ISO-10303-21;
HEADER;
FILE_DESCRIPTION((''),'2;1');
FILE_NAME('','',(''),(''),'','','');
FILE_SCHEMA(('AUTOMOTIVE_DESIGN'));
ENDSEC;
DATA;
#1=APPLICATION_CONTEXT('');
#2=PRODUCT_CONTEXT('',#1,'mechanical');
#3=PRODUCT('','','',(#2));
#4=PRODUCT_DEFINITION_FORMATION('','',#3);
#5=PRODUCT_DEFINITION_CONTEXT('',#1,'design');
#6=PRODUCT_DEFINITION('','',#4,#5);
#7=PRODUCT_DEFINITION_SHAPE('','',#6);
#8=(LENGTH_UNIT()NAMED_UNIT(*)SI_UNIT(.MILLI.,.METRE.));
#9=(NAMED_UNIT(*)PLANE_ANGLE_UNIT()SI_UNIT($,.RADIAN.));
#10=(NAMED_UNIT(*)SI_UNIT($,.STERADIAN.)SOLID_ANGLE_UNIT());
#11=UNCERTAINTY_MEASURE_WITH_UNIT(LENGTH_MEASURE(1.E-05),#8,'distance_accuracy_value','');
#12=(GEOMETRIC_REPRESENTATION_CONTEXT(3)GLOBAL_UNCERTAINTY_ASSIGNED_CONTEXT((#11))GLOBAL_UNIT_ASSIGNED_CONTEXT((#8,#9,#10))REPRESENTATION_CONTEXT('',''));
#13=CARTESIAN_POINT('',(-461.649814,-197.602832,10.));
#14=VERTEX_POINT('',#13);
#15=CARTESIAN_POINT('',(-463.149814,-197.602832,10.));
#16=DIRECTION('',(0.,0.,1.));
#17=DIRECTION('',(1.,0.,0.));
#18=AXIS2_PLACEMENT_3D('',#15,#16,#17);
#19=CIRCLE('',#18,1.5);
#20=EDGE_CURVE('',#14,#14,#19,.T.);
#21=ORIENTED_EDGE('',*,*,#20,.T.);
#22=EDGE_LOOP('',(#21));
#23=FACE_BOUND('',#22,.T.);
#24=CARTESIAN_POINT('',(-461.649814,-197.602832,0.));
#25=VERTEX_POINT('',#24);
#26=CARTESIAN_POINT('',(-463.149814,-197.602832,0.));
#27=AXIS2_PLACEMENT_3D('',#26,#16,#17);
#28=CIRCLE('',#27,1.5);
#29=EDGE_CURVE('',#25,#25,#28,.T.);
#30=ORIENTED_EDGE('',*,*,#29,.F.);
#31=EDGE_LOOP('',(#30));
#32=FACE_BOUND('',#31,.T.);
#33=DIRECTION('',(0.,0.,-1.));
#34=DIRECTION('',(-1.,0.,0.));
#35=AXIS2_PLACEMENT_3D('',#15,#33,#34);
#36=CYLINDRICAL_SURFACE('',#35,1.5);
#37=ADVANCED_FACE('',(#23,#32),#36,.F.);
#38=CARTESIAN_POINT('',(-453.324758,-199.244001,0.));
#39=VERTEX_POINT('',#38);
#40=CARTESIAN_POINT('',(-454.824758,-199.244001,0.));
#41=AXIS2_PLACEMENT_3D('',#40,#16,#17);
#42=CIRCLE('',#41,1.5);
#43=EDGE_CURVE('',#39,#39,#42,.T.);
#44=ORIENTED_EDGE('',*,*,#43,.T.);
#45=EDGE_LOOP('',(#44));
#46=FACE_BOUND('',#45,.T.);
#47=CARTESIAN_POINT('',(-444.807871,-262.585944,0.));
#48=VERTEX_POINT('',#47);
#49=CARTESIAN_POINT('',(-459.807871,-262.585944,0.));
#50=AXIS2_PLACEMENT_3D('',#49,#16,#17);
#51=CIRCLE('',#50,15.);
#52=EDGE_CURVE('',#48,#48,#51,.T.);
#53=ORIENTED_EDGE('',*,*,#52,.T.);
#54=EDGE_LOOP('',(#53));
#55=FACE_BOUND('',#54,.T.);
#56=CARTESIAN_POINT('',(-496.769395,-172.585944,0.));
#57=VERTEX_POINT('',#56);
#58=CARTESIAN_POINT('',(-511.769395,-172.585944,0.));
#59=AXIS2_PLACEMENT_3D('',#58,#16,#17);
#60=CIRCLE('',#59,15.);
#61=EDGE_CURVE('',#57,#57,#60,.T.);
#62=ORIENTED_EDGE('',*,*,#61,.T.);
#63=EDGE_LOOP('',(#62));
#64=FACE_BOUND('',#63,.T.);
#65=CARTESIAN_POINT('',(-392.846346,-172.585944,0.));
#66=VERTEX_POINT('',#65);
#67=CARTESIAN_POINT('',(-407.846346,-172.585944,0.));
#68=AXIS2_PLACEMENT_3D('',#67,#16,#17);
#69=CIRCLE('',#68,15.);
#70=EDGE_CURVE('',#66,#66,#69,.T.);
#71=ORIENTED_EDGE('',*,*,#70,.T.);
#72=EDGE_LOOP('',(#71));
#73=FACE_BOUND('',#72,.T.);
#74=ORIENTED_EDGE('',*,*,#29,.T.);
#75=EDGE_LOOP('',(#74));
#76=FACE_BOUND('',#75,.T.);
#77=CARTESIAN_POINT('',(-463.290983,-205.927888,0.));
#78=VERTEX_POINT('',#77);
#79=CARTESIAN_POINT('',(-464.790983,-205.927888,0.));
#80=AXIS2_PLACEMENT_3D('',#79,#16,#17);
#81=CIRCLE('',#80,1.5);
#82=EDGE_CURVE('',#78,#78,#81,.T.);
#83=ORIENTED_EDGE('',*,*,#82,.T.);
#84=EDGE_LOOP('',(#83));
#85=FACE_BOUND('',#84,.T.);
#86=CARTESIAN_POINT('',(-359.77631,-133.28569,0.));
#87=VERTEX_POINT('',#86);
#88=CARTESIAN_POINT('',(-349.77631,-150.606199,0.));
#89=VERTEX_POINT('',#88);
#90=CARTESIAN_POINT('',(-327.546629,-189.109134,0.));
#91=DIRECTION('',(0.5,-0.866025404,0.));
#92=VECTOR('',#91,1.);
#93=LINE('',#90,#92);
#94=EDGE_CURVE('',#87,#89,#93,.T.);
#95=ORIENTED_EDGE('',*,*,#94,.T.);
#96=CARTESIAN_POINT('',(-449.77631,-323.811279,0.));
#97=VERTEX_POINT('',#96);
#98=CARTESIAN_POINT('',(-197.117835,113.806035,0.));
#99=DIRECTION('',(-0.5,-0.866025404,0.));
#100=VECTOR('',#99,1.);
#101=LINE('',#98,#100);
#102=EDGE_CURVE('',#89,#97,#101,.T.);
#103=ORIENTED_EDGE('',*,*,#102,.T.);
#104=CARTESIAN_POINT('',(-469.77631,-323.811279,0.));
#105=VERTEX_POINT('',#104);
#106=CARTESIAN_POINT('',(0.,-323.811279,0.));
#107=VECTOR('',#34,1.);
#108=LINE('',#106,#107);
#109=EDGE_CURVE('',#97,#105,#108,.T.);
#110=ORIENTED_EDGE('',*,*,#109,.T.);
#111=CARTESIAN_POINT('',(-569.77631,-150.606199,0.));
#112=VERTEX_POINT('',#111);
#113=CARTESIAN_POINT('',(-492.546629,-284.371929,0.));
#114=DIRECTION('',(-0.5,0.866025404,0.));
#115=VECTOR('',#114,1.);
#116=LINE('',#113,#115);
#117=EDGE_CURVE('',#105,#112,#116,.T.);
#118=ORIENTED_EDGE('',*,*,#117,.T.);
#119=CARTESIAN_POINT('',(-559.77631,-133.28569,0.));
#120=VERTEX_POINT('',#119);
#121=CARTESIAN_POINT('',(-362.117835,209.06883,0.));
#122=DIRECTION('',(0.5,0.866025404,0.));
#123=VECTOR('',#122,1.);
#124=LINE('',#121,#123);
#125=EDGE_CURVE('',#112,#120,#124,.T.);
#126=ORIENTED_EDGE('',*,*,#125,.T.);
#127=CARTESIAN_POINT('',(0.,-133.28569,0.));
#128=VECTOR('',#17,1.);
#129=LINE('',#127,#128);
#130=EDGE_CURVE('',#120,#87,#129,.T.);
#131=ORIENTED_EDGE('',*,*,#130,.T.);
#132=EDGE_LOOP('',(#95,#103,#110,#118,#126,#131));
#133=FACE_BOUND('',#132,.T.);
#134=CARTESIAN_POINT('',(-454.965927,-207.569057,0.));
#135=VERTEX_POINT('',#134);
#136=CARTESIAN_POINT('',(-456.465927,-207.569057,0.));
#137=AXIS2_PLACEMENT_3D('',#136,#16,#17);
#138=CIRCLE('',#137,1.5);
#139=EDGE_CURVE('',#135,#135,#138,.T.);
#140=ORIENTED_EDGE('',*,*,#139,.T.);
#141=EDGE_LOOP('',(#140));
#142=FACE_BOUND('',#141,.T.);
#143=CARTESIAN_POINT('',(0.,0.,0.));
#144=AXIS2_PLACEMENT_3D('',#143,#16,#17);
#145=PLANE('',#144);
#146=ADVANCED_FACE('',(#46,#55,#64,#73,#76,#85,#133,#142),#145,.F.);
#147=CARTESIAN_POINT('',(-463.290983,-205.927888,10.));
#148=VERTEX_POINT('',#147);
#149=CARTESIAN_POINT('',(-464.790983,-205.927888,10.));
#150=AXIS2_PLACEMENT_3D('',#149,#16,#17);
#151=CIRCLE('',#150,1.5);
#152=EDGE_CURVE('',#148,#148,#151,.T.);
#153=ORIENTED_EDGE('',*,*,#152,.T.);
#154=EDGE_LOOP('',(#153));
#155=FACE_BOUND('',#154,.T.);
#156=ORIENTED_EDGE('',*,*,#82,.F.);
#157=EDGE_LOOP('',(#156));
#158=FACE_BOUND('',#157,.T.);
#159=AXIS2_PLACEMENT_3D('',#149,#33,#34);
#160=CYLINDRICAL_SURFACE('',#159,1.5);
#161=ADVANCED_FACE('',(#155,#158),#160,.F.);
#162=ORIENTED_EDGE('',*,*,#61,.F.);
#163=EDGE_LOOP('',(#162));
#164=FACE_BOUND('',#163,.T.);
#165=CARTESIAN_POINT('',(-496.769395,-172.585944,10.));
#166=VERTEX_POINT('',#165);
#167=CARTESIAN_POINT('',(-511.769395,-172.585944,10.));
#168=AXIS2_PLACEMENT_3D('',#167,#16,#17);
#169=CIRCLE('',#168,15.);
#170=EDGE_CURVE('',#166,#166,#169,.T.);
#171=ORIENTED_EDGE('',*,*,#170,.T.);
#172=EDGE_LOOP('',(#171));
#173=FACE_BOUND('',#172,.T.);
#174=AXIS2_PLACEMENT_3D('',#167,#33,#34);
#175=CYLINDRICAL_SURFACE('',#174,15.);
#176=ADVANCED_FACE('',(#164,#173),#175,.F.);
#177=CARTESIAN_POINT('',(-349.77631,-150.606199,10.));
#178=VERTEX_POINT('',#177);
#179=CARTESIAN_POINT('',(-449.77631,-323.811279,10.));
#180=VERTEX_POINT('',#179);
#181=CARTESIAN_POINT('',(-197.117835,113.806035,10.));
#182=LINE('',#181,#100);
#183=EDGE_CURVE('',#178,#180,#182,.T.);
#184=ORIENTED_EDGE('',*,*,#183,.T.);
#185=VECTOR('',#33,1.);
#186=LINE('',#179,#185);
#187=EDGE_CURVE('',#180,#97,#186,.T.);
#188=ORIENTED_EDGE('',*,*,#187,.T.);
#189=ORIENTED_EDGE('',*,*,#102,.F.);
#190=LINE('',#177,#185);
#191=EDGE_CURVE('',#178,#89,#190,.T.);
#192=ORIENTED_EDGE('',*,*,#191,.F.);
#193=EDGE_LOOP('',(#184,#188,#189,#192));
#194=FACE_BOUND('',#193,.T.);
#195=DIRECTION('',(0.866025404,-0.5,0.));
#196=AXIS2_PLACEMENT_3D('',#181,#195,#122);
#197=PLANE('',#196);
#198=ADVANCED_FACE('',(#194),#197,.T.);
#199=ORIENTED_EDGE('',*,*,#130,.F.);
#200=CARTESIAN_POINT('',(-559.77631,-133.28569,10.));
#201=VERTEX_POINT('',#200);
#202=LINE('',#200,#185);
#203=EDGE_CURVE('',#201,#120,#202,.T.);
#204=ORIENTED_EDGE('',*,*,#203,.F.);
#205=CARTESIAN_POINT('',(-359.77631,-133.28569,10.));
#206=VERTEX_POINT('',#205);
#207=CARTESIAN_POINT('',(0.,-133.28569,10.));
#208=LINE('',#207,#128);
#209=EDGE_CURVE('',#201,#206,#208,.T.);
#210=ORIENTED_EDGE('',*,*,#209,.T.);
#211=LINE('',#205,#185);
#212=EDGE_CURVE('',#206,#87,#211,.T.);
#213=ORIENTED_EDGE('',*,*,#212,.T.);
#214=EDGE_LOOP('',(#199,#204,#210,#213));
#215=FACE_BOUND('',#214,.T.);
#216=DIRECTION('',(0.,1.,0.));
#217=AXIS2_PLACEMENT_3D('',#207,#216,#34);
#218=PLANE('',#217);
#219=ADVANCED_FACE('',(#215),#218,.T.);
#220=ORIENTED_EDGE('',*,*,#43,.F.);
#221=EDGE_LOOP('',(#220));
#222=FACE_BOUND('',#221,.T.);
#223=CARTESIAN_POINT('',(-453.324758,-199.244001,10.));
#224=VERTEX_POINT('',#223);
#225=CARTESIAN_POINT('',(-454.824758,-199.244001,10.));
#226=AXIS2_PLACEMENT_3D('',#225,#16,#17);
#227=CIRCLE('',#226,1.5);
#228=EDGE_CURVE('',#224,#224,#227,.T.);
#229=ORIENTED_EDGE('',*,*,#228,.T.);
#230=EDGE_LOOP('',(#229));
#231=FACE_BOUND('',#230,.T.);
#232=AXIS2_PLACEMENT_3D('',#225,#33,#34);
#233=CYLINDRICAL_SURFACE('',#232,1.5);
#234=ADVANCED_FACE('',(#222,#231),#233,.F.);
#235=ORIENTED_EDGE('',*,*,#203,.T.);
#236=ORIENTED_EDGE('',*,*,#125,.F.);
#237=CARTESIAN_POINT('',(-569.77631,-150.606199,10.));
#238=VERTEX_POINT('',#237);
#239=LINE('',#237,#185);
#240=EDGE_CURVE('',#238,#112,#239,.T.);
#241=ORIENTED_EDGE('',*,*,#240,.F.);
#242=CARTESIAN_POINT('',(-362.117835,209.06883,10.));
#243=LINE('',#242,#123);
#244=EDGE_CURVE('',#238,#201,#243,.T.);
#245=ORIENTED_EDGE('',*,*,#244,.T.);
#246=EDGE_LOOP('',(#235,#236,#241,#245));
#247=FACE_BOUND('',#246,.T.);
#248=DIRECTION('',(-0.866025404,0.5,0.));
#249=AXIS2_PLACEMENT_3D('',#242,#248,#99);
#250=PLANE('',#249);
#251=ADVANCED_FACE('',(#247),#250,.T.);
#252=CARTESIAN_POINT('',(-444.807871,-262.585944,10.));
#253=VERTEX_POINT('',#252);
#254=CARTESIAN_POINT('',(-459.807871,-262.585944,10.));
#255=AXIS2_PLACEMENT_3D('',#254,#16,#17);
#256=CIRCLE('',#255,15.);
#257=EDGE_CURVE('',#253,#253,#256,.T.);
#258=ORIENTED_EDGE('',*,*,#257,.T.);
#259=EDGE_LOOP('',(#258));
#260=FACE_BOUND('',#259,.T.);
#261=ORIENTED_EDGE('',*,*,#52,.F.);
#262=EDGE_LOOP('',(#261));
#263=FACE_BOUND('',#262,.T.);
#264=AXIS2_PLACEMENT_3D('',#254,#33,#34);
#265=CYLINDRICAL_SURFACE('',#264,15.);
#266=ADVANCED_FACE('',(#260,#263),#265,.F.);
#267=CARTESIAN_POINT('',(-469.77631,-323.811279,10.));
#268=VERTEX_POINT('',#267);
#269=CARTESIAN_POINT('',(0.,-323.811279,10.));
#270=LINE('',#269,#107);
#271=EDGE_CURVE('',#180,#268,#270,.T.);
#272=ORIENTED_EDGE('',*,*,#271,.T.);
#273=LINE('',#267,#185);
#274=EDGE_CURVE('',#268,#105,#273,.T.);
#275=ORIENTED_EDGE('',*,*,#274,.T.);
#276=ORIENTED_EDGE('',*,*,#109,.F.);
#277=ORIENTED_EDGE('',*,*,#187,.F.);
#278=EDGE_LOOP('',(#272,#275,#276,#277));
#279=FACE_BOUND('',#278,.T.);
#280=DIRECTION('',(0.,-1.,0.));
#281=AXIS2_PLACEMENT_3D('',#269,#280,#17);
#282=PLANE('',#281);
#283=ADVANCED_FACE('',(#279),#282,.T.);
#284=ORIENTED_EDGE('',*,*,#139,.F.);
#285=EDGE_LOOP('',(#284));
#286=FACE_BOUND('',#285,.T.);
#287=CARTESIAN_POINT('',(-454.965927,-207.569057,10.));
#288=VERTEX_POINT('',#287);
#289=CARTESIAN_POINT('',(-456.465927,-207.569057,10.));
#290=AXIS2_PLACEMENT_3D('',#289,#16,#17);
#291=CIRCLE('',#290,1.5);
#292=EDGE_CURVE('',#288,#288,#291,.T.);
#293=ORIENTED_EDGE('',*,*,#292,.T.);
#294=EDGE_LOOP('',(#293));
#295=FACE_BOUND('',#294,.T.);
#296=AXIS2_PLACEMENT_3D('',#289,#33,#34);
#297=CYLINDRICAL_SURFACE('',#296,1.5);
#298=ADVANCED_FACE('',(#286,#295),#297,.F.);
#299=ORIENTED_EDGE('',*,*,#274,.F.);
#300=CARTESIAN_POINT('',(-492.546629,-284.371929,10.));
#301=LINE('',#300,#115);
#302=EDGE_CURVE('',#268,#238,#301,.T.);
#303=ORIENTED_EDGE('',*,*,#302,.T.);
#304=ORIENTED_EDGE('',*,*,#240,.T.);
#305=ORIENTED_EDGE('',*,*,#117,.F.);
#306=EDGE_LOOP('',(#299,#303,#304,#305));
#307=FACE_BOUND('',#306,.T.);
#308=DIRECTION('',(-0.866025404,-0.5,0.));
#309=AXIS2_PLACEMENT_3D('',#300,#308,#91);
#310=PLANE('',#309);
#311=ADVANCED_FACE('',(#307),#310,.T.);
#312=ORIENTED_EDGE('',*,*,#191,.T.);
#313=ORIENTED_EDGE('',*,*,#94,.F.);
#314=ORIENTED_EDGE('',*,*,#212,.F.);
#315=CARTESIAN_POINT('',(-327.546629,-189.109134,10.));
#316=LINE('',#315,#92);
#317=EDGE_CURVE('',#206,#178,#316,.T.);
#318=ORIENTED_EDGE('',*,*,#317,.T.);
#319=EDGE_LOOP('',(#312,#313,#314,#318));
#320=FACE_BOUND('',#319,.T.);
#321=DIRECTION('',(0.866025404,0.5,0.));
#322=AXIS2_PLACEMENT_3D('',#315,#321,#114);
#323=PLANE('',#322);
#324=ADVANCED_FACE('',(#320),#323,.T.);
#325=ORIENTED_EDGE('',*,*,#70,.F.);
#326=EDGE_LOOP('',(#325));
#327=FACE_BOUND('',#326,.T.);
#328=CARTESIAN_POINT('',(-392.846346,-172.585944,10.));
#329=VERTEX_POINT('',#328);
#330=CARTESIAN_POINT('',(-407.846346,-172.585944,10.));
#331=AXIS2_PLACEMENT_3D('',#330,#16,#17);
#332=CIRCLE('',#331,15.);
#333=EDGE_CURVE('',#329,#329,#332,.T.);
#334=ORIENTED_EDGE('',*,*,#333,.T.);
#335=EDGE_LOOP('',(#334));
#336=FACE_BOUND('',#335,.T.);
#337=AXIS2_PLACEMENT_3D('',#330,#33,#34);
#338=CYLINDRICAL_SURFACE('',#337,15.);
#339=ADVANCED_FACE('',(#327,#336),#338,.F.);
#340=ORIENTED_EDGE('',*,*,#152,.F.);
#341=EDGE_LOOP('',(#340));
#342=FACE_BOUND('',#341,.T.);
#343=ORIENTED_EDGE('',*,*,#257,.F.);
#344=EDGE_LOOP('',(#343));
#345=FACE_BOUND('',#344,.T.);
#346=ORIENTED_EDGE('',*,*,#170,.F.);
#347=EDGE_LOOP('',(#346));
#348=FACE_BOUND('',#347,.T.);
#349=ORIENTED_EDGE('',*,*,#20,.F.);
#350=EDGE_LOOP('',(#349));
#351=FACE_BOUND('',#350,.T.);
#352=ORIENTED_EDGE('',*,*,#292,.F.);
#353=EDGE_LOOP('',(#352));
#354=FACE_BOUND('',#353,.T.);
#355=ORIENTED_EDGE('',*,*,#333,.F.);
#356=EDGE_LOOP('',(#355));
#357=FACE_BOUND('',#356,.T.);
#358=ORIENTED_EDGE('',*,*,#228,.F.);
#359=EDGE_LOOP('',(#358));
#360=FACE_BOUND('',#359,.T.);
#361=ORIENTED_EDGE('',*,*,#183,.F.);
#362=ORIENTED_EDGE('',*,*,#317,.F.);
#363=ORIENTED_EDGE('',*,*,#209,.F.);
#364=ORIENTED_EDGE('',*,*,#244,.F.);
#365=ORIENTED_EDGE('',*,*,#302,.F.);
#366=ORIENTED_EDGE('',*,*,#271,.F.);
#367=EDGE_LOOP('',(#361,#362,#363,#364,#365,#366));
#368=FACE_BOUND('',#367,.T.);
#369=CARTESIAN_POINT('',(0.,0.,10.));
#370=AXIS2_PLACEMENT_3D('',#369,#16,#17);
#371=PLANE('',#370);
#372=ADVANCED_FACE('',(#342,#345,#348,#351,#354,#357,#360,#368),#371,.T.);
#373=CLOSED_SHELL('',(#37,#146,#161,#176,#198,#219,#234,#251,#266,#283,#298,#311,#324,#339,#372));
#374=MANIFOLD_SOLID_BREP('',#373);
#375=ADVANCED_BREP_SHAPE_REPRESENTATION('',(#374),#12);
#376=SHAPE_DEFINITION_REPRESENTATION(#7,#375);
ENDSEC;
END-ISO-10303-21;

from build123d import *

# Parameters (mm, degrees)
SKETCH5_R           = 15
SKETCH5_R_2         = 1.5
BOSS_EXTRUDE1_DEPTH = 10


with BuildPart() as part:
    # Sketch5 → Boss-Extrude1 (new body)
    with BuildSketch(Plane.XY):
        Polygon((-349.776309557, -150.606198532), (-449.776309557, -323.811279288), (-469.776309557, -323.811279288), (-569.776309557, -150.606198532), (-559.776309557, -133.285690456), (-359.776309557, -133.285690456), align=None)
        with Locations((-407.846346301, -172.585944494)):
            Circle(SKETCH5_R, mode=Mode.SUBTRACT)
        with Locations((-511.769394755, -172.585944494)):
            Circle(SKETCH5_R, mode=Mode.SUBTRACT)
        with Locations((-459.807870528, -262.585944494)):
            Circle(SKETCH5_R, mode=Mode.SUBTRACT)
        with Locations((-463.149814357, -197.602831868)):
            Circle(SKETCH5_R_2, mode=Mode.SUBTRACT)
        with Locations((-454.824757902, -199.244000664)):
            Circle(SKETCH5_R_2, mode=Mode.SUBTRACT)
        with Locations((-456.465926699, -207.56905712)):
            Circle(SKETCH5_R_2, mode=Mode.SUBTRACT)
        with Locations((-464.790983154, -205.927888323)):
            Circle(SKETCH5_R_2, mode=Mode.SUBTRACT)
    extrude(amount=BOSS_EXTRUDE1_DEPTH)


solid = part.part
